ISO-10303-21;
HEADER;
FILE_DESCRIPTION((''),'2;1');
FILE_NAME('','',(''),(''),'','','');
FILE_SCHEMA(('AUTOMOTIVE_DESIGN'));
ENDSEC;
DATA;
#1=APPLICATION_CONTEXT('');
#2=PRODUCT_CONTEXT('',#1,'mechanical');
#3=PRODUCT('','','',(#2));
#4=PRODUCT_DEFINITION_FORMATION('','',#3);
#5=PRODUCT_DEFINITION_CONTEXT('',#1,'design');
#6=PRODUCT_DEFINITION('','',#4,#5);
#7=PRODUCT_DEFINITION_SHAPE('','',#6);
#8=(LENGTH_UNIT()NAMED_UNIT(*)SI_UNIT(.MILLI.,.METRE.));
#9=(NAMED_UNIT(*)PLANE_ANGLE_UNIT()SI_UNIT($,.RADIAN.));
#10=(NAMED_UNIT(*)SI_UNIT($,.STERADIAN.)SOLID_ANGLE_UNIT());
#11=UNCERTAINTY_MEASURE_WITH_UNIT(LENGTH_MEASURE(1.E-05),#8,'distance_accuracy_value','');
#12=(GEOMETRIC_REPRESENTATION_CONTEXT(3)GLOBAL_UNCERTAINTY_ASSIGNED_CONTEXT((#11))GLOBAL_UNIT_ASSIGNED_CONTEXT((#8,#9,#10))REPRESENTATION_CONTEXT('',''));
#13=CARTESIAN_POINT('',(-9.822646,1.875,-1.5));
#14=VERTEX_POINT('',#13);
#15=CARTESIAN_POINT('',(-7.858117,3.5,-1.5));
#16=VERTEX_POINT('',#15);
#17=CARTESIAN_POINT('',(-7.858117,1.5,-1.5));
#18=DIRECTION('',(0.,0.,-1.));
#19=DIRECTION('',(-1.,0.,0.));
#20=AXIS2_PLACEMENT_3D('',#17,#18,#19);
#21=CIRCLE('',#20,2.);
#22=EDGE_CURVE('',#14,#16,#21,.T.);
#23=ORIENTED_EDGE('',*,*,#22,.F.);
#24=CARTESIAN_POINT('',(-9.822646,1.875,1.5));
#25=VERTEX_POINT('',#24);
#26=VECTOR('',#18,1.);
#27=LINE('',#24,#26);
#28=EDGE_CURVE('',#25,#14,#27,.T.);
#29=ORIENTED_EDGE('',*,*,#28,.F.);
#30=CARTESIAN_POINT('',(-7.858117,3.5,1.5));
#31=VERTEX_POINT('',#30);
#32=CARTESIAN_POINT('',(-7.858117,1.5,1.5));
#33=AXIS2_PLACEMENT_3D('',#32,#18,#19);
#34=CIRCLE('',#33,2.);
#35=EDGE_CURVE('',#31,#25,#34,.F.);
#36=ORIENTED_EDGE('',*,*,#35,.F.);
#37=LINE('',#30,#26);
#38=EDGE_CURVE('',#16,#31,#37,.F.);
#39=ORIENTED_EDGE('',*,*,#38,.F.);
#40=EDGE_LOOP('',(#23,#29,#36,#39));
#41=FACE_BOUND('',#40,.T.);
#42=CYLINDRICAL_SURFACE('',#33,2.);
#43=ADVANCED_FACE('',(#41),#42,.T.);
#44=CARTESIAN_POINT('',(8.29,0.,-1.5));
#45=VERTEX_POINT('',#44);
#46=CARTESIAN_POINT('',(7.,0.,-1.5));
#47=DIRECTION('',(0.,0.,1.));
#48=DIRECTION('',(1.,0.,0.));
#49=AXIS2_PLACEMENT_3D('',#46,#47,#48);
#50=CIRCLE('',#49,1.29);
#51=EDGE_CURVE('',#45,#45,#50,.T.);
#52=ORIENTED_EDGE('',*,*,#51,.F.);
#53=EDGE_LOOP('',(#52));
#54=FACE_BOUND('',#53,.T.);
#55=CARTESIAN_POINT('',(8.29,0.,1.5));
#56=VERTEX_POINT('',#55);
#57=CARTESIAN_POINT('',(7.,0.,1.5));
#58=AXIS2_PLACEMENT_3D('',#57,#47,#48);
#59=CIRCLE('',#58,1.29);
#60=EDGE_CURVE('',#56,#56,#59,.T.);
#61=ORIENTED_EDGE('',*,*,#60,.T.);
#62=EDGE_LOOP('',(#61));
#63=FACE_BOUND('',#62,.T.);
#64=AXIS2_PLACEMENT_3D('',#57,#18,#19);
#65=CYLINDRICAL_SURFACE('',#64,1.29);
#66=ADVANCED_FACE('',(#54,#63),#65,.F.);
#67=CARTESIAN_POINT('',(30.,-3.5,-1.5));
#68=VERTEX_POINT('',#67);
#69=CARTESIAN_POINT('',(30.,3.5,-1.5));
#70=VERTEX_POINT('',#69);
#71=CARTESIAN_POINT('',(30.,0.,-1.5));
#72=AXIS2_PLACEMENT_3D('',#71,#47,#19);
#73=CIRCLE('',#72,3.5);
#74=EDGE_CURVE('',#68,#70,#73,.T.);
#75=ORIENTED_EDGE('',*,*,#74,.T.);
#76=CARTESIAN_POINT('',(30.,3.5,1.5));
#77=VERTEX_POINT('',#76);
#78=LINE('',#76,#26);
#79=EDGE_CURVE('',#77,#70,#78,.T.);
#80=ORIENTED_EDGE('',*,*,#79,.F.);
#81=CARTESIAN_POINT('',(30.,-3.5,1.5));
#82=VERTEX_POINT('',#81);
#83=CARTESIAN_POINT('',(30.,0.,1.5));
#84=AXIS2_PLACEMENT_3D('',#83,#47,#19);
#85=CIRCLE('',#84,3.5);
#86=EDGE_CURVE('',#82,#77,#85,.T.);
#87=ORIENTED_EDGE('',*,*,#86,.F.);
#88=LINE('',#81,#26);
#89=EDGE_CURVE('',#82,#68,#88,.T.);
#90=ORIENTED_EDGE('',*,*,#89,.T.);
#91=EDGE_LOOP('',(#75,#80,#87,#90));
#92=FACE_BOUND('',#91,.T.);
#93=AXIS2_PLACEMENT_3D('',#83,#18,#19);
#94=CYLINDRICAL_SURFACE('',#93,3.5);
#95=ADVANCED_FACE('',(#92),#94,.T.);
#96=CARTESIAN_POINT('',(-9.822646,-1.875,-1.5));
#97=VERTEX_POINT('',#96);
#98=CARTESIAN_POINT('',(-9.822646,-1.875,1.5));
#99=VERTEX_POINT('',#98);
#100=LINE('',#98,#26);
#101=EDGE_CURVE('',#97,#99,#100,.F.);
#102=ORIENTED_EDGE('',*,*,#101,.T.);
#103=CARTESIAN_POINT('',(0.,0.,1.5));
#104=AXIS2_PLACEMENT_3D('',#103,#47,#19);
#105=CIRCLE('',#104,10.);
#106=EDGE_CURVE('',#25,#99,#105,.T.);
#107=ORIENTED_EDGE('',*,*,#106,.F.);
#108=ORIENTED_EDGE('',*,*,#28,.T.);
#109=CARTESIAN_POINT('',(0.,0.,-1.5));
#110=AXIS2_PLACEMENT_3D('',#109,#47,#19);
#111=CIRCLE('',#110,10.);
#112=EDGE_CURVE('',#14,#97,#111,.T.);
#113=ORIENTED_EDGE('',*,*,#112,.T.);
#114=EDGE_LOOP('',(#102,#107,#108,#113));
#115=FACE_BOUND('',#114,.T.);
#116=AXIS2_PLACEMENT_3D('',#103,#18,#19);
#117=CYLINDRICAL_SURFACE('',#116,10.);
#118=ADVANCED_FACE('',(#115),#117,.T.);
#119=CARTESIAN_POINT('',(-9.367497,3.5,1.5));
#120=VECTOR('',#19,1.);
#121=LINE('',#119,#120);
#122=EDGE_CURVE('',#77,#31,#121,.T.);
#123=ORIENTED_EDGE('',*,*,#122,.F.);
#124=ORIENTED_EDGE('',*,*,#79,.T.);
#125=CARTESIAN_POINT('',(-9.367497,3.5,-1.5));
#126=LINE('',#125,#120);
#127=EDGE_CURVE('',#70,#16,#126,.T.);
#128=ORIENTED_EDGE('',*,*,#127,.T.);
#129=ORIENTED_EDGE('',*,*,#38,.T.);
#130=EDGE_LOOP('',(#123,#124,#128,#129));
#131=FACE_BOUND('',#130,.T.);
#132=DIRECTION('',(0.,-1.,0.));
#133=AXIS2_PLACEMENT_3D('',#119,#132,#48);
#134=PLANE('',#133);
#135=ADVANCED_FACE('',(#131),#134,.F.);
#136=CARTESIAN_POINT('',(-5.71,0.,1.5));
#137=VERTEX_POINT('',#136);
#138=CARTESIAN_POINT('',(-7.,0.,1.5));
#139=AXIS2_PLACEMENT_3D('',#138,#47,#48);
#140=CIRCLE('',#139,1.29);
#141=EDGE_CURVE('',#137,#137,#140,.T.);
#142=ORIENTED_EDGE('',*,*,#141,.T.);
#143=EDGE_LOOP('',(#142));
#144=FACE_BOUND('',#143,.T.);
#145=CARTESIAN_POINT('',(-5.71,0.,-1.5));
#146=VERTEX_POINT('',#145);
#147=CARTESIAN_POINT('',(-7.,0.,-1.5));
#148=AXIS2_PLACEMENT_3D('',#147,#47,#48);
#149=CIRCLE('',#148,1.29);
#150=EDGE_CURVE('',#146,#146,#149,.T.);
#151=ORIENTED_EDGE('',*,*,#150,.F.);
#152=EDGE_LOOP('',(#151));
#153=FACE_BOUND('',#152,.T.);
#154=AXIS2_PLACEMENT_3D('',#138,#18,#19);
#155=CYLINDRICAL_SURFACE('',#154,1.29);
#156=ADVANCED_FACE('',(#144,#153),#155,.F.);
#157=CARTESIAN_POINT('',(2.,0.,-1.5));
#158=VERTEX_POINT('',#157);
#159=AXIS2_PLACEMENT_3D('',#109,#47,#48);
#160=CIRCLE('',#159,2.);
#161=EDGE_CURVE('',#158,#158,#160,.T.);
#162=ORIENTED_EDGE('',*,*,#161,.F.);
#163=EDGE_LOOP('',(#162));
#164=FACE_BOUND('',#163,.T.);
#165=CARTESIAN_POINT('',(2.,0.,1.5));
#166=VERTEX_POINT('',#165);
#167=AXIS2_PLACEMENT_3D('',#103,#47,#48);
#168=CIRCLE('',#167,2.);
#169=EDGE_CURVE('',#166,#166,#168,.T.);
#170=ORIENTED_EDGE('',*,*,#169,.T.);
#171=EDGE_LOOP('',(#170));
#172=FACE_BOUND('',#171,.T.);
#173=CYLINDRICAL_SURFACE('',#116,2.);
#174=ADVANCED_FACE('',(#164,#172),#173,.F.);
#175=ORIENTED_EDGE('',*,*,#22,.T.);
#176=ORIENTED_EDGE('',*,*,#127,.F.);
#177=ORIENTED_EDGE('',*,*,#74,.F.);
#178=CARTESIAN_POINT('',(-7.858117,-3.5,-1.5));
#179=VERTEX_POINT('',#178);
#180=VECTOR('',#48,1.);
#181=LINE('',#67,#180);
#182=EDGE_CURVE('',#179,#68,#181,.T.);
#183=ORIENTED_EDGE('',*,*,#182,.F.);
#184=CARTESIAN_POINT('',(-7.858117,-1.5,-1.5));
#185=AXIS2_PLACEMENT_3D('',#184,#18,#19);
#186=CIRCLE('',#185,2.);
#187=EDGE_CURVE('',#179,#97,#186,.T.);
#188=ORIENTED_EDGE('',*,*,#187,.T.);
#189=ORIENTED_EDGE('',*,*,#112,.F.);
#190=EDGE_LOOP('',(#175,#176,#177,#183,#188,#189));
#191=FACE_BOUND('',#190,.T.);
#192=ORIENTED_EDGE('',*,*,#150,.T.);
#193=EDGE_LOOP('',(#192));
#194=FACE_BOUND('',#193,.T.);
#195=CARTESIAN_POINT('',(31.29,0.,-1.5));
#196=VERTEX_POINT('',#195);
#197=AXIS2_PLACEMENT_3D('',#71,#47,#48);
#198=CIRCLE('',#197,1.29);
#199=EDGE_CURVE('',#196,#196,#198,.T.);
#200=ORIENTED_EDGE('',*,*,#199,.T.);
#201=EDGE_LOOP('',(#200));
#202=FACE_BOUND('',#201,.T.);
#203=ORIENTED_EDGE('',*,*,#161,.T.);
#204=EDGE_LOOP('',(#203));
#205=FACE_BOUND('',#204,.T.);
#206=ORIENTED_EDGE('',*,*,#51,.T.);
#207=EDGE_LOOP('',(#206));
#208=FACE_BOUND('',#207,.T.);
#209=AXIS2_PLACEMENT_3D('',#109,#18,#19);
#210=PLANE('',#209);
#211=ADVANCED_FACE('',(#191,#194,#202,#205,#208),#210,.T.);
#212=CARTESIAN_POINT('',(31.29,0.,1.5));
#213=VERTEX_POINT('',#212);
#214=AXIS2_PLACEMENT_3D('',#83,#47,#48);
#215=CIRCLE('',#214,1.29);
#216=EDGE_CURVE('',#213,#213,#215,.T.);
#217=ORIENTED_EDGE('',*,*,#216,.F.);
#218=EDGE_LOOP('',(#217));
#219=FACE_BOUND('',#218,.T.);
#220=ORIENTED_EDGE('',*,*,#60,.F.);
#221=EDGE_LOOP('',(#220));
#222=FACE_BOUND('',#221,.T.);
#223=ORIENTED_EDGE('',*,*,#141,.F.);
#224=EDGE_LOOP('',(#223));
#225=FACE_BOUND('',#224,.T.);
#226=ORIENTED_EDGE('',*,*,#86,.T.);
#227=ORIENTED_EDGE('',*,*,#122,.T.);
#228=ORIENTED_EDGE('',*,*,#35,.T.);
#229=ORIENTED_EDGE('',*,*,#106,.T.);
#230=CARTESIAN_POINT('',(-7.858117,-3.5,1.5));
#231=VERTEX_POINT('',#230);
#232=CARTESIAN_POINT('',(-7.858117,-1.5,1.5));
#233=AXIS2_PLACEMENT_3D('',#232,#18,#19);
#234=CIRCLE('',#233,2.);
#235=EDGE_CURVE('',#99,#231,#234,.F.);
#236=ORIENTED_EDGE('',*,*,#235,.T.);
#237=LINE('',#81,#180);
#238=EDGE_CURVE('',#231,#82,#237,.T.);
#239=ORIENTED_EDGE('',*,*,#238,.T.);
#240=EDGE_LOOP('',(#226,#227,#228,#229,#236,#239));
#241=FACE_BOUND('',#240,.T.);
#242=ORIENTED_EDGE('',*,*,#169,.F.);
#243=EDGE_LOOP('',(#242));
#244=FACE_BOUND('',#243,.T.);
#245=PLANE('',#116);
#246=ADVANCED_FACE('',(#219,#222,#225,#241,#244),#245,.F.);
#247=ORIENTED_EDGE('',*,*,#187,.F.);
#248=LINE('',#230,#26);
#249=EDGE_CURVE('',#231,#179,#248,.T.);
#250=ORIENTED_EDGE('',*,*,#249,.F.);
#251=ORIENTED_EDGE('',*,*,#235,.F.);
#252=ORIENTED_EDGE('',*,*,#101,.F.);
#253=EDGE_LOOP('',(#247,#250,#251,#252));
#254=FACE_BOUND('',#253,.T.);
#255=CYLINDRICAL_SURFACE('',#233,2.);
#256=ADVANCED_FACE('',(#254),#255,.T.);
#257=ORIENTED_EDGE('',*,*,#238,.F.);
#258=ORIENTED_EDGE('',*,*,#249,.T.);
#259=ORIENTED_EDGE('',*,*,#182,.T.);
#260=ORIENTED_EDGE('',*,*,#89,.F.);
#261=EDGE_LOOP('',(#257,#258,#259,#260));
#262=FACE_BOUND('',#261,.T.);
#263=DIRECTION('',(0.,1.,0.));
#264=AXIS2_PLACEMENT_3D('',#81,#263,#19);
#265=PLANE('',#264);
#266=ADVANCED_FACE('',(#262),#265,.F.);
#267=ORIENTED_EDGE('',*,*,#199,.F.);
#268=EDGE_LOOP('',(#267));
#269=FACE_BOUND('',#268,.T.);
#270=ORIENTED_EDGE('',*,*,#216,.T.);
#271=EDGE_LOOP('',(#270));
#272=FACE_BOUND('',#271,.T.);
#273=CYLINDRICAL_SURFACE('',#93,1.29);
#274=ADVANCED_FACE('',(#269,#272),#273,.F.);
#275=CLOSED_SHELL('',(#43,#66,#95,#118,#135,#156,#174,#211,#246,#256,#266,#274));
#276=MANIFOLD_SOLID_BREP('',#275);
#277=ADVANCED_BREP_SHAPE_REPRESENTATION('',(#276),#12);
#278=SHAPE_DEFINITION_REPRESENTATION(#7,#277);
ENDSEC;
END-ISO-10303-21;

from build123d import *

# Parameters (mm, degrees)
SKETCH1_R           = 1.29
SKETCH1_R_2         = 2
BOSS_EXTRUDE1_DEPTH = 1.5
FILLET1_R           = 2


with BuildPart() as part:
    # Sketch1 → Boss-Extrude1 (new, symmetric)
    with BuildSketch(Plane.XY):
        with BuildLine():
            Line((-9.367496998, 3.5), (30, 3.5))
            ThreePointArc((30, 3.5), (33.5, 0), (30, -3.5))
            Line((30, -3.5), (-9.367496998, -3.5))
            ThreePointArc((-9.367496998, -3.5), (-10, 0), (-9.367496998, 3.5))
        make_face()
        with Locations((-7, 0)):
            Circle(SKETCH1_R, mode=Mode.SUBTRACT)
        with Locations((7, 0)):
            Circle(SKETCH1_R, mode=Mode.SUBTRACT)
        with Locations((30, 0)):
            Circle(SKETCH1_R, mode=Mode.SUBTRACT)
        Circle(SKETCH1_R_2, mode=Mode.SUBTRACT)
    extrude(amount=BOSS_EXTRUDE1_DEPTH, both=True)

    # Fillet1
    fillet1_edges = [part.edges().sort_by_distance(p)[0] for p in [
        (-9.367496998, 3.5, 0),
        (-9.367496998, -3.5, 0),
    ]]
    fillet(fillet1_edges, radius=FILLET1_R)


solid = part.part
